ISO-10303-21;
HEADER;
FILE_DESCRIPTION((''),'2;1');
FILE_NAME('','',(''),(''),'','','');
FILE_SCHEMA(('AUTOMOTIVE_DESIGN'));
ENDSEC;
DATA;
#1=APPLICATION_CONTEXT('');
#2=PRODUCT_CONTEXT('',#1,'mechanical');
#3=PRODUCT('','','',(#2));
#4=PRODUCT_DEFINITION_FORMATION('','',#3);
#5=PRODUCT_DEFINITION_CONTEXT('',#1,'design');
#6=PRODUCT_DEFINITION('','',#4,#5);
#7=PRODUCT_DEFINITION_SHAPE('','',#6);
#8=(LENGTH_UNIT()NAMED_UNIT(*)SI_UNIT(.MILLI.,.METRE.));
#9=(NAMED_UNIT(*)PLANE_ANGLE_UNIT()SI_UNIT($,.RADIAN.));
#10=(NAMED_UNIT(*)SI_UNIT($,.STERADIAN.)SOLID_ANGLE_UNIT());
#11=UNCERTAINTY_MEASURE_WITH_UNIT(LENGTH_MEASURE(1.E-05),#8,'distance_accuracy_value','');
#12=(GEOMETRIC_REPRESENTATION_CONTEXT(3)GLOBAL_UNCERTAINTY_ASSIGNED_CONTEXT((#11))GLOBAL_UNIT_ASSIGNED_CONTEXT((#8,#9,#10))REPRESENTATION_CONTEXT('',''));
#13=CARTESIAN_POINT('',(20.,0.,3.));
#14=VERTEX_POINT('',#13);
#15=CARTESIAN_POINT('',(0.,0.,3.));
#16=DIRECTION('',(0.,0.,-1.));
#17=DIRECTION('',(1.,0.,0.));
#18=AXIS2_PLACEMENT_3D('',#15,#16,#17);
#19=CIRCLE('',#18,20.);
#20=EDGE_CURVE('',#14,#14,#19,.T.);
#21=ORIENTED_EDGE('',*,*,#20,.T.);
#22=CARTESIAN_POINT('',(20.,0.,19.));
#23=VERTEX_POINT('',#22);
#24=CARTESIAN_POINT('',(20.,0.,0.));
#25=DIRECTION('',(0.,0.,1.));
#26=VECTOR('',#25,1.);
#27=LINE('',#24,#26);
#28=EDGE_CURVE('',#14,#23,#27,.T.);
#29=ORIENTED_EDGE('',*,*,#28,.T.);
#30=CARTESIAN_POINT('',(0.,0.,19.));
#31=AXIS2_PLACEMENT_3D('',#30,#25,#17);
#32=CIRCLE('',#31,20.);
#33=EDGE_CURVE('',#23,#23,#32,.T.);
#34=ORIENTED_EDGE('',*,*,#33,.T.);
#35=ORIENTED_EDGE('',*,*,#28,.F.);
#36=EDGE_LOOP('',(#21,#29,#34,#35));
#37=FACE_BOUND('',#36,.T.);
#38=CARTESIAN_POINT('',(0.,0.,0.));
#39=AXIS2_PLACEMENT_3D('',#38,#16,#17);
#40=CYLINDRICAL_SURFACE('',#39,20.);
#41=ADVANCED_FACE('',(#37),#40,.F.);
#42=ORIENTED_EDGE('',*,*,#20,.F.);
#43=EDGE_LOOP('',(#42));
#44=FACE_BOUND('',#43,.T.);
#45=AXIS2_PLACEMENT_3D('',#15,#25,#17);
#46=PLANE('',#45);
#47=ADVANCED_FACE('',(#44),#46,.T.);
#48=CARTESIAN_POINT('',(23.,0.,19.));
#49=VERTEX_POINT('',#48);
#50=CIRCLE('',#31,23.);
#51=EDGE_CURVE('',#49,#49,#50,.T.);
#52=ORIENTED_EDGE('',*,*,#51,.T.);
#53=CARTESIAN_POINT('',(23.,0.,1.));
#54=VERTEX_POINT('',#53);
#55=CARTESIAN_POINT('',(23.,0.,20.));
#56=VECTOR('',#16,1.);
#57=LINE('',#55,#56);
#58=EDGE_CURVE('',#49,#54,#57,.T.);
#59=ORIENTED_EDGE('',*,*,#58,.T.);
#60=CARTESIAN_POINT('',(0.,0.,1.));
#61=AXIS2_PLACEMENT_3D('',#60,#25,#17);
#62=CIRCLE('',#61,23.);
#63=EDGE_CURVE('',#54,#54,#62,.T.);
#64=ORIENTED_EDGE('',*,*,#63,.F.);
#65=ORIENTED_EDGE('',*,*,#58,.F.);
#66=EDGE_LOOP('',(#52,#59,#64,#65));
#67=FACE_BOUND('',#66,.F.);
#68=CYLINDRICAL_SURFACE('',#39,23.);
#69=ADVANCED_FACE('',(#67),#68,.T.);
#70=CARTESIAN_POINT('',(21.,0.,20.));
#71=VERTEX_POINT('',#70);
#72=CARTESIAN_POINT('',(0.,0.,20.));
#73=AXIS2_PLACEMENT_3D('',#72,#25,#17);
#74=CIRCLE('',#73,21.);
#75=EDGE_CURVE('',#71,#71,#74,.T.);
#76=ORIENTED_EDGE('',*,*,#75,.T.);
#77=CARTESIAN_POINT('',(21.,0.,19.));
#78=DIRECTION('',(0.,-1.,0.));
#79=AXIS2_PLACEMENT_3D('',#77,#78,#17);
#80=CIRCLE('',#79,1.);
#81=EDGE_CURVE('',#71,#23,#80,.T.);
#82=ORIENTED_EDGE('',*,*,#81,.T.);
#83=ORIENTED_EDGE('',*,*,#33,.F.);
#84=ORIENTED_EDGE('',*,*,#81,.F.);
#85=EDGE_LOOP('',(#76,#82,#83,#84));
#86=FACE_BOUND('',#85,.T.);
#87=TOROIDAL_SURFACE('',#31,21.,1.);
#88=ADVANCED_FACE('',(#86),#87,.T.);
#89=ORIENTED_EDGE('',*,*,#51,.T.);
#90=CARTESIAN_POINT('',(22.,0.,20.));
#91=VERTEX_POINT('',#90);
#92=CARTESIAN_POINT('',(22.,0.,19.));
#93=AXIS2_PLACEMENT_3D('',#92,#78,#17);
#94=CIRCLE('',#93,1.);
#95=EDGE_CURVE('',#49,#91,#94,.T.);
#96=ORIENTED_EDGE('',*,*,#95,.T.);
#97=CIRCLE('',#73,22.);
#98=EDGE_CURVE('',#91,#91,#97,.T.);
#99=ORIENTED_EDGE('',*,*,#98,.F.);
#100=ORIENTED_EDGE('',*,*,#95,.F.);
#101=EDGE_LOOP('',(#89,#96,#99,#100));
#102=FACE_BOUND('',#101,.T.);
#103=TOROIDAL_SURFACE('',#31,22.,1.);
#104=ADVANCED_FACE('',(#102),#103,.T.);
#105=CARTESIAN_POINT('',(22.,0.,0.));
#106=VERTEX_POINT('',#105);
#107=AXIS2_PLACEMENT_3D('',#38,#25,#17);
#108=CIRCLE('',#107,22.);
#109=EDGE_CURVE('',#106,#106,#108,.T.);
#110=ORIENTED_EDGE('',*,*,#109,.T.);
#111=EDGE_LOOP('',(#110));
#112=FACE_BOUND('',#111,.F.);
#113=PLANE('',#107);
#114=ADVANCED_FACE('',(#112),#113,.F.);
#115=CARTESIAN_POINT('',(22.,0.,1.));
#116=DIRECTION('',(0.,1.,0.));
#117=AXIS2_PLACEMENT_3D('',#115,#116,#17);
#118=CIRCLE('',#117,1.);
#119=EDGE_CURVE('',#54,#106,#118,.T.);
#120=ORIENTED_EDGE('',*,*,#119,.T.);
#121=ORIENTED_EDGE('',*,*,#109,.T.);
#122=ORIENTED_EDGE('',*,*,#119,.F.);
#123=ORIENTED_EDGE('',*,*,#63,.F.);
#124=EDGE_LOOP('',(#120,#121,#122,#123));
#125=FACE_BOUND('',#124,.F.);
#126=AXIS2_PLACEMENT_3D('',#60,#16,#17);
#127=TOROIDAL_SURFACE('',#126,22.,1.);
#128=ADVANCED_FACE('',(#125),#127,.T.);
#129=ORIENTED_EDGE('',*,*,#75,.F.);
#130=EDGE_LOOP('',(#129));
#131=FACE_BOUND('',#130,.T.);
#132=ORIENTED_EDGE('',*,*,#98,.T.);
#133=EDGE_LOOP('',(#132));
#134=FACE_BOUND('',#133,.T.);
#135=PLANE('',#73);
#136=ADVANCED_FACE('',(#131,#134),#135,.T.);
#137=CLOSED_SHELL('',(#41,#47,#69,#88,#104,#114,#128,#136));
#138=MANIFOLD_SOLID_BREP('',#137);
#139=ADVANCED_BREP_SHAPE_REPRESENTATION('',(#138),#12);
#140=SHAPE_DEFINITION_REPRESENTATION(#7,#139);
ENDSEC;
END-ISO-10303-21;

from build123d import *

# Parameters (mm, degrees)
F0_R     = 23
F0_R_2   = 20
F1_DEPTH = 20
F2_R     = 23
F3_DEPTH = 3
F4_R     = 1


with BuildPart() as f1:
    # F0 (on Top) → F1 (new body)
    with BuildSketch(Plane.XY):
        Circle(F0_R)
        Circle(F0_R_2, mode=Mode.SUBTRACT)
    extrude(amount=F1_DEPTH)

    # F2 (on Top) → F3 (join)
    with BuildSketch(Plane.XY):
        Circle(F2_R)
    extrude(amount=F3_DEPTH)

    # F4
    f4_edges = [f1.edges().sort_by_distance(p)[0] for p in [
        (-23, 0, 20),
        (-23, 0, 0),
        (-20, 0, 20),
    ]]
    fillet(f4_edges, radius=F4_R)


solid = f1.part
